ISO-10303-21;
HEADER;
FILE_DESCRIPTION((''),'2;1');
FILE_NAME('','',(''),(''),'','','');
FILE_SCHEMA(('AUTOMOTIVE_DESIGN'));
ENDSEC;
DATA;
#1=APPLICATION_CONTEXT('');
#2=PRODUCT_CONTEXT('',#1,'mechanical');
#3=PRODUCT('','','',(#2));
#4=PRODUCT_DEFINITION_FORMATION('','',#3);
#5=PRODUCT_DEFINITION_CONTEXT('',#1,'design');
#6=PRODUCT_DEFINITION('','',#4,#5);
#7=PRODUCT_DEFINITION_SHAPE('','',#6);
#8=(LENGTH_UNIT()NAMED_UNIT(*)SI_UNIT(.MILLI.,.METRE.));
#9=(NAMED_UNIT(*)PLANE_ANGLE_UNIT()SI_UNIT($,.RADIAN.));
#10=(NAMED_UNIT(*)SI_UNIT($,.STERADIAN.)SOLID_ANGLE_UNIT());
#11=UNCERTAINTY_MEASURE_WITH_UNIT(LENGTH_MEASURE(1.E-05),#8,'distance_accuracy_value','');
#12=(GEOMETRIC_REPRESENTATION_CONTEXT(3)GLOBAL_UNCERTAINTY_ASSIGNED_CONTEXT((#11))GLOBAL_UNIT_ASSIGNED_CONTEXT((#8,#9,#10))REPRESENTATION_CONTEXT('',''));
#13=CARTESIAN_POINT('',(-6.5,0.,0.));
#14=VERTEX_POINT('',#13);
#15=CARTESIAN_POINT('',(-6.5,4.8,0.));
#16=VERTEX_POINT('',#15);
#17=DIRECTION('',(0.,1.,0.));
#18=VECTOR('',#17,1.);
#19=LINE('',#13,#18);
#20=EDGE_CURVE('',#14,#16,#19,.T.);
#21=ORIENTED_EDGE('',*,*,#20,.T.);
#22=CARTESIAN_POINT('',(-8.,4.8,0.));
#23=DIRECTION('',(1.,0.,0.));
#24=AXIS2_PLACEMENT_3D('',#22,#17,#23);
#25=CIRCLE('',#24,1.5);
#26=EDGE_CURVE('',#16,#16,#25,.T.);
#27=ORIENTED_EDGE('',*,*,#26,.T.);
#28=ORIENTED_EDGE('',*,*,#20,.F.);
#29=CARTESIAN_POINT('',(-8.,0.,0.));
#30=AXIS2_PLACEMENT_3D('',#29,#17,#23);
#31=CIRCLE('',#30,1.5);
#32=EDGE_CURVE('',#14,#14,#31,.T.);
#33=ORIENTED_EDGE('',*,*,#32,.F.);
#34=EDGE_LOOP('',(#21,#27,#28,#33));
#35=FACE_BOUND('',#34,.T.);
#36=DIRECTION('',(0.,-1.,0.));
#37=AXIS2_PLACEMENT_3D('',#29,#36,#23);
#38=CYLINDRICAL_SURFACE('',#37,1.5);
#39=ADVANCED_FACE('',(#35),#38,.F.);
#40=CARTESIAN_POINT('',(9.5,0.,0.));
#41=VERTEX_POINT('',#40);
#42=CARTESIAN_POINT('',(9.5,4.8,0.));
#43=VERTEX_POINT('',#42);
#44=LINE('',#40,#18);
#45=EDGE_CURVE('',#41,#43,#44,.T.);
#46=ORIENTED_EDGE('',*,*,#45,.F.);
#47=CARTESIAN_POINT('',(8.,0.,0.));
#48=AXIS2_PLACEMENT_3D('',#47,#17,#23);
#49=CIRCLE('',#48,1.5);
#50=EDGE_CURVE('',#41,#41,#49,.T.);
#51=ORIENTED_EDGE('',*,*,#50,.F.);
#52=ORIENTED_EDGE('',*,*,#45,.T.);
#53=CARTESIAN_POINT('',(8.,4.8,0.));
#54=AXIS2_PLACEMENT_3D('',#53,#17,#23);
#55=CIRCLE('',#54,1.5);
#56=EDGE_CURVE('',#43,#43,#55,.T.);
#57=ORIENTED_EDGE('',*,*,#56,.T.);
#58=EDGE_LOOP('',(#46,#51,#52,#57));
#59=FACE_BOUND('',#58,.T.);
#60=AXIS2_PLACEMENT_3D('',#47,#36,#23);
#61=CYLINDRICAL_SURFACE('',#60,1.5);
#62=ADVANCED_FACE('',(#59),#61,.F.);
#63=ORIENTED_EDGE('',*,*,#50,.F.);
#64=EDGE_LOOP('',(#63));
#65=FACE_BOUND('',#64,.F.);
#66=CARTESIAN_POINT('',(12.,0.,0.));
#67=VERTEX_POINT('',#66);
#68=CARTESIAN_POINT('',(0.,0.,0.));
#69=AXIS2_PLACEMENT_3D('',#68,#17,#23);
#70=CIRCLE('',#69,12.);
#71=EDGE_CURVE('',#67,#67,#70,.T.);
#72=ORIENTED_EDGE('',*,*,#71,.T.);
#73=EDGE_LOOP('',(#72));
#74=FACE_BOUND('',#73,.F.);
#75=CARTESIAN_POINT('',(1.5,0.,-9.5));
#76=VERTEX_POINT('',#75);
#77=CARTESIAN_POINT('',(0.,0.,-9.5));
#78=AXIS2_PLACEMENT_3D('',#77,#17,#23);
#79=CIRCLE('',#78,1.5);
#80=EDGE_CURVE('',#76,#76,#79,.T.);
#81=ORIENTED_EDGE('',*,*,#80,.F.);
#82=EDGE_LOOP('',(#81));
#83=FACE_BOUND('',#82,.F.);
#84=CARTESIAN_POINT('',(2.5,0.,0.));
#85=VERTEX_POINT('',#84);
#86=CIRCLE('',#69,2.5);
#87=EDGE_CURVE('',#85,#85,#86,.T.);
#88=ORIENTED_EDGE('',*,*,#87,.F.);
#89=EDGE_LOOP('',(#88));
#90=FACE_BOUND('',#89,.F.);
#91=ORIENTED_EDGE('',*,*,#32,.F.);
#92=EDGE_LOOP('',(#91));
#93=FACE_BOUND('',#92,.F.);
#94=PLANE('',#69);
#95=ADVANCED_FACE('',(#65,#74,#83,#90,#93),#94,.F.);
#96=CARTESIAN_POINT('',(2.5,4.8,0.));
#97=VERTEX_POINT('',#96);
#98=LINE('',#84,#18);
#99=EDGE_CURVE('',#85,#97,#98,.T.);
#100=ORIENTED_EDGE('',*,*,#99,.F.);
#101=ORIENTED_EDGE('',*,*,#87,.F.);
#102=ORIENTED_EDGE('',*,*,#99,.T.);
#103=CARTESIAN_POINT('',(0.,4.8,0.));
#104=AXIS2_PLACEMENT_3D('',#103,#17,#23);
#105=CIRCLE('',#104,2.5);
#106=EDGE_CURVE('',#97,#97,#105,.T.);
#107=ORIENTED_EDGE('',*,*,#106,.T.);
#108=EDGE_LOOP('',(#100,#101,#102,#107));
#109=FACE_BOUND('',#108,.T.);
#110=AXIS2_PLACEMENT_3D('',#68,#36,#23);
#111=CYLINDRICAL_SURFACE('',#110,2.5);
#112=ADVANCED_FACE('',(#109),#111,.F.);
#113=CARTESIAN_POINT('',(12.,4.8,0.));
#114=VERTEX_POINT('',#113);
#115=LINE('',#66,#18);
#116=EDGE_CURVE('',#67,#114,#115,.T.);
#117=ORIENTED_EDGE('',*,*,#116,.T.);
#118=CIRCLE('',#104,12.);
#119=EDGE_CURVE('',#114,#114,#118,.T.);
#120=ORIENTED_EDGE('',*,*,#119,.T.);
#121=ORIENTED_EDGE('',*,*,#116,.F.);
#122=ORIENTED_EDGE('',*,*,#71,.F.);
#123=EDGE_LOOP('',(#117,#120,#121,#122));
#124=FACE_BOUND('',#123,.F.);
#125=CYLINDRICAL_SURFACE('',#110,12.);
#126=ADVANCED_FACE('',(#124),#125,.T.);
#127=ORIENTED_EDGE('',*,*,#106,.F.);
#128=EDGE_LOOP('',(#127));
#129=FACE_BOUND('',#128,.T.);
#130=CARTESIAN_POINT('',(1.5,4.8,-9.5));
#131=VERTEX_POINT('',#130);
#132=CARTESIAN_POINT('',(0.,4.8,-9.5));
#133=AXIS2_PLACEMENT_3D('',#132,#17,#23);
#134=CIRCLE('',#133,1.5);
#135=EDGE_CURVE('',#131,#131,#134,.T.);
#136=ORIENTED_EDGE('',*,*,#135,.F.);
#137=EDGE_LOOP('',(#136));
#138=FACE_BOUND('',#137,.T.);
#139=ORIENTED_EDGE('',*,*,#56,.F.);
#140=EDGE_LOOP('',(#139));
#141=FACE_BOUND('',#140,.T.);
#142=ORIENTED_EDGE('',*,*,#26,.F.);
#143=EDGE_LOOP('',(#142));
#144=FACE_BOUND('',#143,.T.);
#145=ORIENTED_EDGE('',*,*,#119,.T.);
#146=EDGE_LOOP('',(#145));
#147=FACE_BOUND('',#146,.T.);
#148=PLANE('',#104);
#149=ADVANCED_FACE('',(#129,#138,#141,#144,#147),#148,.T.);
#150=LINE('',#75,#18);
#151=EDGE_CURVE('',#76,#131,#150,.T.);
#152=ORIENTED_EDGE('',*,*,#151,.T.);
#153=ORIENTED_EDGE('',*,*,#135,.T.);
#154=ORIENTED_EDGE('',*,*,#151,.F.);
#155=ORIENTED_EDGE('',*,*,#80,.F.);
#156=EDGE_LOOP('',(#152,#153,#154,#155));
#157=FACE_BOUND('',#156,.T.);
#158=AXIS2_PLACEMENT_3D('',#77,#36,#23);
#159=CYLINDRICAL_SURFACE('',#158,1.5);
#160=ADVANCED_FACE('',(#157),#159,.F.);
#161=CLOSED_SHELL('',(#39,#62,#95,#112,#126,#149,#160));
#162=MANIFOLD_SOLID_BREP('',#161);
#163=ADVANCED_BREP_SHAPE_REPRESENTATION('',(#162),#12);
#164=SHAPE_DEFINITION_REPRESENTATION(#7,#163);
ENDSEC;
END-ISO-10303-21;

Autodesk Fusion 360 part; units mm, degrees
sketch "Sketch1" plane through (0, 0, 0) normal (0, 1, 0) x (1, 0, 0)
  circle A0 centre (0, 0) radius 12
  circle A1 centre (0, 0) radius 9.5 construction
  circle A2 centre (0, 0) radius 8 construction
  line L0 (0, 0) -> (0, -9.5) construction
  line L1 (0, 0) -> (0, 9.5) construction
  line L2 (0, 0) -> (8, 0) construction
  line L3 (0, 0) -> (-8, 0) construction
  circle A3 centre (0, 9.5) radius 1.5
  circle A4 centre (8, 0) radius 1.5
  circle A5 centre (-8, 0) radius 1.5
  circle A6 centre (0, 0) radius 2.5
  dimension "d1" = 24
  dimension "d2" = 19
  dimension "d3" = 16
  dimension "d5" = 3
  dimension "d6" = 3
  dimension "d7" = 3
  dimension "d10" = 5
extrude "Extrude1" add sketch "Sketch1" along normal blind 4.8
